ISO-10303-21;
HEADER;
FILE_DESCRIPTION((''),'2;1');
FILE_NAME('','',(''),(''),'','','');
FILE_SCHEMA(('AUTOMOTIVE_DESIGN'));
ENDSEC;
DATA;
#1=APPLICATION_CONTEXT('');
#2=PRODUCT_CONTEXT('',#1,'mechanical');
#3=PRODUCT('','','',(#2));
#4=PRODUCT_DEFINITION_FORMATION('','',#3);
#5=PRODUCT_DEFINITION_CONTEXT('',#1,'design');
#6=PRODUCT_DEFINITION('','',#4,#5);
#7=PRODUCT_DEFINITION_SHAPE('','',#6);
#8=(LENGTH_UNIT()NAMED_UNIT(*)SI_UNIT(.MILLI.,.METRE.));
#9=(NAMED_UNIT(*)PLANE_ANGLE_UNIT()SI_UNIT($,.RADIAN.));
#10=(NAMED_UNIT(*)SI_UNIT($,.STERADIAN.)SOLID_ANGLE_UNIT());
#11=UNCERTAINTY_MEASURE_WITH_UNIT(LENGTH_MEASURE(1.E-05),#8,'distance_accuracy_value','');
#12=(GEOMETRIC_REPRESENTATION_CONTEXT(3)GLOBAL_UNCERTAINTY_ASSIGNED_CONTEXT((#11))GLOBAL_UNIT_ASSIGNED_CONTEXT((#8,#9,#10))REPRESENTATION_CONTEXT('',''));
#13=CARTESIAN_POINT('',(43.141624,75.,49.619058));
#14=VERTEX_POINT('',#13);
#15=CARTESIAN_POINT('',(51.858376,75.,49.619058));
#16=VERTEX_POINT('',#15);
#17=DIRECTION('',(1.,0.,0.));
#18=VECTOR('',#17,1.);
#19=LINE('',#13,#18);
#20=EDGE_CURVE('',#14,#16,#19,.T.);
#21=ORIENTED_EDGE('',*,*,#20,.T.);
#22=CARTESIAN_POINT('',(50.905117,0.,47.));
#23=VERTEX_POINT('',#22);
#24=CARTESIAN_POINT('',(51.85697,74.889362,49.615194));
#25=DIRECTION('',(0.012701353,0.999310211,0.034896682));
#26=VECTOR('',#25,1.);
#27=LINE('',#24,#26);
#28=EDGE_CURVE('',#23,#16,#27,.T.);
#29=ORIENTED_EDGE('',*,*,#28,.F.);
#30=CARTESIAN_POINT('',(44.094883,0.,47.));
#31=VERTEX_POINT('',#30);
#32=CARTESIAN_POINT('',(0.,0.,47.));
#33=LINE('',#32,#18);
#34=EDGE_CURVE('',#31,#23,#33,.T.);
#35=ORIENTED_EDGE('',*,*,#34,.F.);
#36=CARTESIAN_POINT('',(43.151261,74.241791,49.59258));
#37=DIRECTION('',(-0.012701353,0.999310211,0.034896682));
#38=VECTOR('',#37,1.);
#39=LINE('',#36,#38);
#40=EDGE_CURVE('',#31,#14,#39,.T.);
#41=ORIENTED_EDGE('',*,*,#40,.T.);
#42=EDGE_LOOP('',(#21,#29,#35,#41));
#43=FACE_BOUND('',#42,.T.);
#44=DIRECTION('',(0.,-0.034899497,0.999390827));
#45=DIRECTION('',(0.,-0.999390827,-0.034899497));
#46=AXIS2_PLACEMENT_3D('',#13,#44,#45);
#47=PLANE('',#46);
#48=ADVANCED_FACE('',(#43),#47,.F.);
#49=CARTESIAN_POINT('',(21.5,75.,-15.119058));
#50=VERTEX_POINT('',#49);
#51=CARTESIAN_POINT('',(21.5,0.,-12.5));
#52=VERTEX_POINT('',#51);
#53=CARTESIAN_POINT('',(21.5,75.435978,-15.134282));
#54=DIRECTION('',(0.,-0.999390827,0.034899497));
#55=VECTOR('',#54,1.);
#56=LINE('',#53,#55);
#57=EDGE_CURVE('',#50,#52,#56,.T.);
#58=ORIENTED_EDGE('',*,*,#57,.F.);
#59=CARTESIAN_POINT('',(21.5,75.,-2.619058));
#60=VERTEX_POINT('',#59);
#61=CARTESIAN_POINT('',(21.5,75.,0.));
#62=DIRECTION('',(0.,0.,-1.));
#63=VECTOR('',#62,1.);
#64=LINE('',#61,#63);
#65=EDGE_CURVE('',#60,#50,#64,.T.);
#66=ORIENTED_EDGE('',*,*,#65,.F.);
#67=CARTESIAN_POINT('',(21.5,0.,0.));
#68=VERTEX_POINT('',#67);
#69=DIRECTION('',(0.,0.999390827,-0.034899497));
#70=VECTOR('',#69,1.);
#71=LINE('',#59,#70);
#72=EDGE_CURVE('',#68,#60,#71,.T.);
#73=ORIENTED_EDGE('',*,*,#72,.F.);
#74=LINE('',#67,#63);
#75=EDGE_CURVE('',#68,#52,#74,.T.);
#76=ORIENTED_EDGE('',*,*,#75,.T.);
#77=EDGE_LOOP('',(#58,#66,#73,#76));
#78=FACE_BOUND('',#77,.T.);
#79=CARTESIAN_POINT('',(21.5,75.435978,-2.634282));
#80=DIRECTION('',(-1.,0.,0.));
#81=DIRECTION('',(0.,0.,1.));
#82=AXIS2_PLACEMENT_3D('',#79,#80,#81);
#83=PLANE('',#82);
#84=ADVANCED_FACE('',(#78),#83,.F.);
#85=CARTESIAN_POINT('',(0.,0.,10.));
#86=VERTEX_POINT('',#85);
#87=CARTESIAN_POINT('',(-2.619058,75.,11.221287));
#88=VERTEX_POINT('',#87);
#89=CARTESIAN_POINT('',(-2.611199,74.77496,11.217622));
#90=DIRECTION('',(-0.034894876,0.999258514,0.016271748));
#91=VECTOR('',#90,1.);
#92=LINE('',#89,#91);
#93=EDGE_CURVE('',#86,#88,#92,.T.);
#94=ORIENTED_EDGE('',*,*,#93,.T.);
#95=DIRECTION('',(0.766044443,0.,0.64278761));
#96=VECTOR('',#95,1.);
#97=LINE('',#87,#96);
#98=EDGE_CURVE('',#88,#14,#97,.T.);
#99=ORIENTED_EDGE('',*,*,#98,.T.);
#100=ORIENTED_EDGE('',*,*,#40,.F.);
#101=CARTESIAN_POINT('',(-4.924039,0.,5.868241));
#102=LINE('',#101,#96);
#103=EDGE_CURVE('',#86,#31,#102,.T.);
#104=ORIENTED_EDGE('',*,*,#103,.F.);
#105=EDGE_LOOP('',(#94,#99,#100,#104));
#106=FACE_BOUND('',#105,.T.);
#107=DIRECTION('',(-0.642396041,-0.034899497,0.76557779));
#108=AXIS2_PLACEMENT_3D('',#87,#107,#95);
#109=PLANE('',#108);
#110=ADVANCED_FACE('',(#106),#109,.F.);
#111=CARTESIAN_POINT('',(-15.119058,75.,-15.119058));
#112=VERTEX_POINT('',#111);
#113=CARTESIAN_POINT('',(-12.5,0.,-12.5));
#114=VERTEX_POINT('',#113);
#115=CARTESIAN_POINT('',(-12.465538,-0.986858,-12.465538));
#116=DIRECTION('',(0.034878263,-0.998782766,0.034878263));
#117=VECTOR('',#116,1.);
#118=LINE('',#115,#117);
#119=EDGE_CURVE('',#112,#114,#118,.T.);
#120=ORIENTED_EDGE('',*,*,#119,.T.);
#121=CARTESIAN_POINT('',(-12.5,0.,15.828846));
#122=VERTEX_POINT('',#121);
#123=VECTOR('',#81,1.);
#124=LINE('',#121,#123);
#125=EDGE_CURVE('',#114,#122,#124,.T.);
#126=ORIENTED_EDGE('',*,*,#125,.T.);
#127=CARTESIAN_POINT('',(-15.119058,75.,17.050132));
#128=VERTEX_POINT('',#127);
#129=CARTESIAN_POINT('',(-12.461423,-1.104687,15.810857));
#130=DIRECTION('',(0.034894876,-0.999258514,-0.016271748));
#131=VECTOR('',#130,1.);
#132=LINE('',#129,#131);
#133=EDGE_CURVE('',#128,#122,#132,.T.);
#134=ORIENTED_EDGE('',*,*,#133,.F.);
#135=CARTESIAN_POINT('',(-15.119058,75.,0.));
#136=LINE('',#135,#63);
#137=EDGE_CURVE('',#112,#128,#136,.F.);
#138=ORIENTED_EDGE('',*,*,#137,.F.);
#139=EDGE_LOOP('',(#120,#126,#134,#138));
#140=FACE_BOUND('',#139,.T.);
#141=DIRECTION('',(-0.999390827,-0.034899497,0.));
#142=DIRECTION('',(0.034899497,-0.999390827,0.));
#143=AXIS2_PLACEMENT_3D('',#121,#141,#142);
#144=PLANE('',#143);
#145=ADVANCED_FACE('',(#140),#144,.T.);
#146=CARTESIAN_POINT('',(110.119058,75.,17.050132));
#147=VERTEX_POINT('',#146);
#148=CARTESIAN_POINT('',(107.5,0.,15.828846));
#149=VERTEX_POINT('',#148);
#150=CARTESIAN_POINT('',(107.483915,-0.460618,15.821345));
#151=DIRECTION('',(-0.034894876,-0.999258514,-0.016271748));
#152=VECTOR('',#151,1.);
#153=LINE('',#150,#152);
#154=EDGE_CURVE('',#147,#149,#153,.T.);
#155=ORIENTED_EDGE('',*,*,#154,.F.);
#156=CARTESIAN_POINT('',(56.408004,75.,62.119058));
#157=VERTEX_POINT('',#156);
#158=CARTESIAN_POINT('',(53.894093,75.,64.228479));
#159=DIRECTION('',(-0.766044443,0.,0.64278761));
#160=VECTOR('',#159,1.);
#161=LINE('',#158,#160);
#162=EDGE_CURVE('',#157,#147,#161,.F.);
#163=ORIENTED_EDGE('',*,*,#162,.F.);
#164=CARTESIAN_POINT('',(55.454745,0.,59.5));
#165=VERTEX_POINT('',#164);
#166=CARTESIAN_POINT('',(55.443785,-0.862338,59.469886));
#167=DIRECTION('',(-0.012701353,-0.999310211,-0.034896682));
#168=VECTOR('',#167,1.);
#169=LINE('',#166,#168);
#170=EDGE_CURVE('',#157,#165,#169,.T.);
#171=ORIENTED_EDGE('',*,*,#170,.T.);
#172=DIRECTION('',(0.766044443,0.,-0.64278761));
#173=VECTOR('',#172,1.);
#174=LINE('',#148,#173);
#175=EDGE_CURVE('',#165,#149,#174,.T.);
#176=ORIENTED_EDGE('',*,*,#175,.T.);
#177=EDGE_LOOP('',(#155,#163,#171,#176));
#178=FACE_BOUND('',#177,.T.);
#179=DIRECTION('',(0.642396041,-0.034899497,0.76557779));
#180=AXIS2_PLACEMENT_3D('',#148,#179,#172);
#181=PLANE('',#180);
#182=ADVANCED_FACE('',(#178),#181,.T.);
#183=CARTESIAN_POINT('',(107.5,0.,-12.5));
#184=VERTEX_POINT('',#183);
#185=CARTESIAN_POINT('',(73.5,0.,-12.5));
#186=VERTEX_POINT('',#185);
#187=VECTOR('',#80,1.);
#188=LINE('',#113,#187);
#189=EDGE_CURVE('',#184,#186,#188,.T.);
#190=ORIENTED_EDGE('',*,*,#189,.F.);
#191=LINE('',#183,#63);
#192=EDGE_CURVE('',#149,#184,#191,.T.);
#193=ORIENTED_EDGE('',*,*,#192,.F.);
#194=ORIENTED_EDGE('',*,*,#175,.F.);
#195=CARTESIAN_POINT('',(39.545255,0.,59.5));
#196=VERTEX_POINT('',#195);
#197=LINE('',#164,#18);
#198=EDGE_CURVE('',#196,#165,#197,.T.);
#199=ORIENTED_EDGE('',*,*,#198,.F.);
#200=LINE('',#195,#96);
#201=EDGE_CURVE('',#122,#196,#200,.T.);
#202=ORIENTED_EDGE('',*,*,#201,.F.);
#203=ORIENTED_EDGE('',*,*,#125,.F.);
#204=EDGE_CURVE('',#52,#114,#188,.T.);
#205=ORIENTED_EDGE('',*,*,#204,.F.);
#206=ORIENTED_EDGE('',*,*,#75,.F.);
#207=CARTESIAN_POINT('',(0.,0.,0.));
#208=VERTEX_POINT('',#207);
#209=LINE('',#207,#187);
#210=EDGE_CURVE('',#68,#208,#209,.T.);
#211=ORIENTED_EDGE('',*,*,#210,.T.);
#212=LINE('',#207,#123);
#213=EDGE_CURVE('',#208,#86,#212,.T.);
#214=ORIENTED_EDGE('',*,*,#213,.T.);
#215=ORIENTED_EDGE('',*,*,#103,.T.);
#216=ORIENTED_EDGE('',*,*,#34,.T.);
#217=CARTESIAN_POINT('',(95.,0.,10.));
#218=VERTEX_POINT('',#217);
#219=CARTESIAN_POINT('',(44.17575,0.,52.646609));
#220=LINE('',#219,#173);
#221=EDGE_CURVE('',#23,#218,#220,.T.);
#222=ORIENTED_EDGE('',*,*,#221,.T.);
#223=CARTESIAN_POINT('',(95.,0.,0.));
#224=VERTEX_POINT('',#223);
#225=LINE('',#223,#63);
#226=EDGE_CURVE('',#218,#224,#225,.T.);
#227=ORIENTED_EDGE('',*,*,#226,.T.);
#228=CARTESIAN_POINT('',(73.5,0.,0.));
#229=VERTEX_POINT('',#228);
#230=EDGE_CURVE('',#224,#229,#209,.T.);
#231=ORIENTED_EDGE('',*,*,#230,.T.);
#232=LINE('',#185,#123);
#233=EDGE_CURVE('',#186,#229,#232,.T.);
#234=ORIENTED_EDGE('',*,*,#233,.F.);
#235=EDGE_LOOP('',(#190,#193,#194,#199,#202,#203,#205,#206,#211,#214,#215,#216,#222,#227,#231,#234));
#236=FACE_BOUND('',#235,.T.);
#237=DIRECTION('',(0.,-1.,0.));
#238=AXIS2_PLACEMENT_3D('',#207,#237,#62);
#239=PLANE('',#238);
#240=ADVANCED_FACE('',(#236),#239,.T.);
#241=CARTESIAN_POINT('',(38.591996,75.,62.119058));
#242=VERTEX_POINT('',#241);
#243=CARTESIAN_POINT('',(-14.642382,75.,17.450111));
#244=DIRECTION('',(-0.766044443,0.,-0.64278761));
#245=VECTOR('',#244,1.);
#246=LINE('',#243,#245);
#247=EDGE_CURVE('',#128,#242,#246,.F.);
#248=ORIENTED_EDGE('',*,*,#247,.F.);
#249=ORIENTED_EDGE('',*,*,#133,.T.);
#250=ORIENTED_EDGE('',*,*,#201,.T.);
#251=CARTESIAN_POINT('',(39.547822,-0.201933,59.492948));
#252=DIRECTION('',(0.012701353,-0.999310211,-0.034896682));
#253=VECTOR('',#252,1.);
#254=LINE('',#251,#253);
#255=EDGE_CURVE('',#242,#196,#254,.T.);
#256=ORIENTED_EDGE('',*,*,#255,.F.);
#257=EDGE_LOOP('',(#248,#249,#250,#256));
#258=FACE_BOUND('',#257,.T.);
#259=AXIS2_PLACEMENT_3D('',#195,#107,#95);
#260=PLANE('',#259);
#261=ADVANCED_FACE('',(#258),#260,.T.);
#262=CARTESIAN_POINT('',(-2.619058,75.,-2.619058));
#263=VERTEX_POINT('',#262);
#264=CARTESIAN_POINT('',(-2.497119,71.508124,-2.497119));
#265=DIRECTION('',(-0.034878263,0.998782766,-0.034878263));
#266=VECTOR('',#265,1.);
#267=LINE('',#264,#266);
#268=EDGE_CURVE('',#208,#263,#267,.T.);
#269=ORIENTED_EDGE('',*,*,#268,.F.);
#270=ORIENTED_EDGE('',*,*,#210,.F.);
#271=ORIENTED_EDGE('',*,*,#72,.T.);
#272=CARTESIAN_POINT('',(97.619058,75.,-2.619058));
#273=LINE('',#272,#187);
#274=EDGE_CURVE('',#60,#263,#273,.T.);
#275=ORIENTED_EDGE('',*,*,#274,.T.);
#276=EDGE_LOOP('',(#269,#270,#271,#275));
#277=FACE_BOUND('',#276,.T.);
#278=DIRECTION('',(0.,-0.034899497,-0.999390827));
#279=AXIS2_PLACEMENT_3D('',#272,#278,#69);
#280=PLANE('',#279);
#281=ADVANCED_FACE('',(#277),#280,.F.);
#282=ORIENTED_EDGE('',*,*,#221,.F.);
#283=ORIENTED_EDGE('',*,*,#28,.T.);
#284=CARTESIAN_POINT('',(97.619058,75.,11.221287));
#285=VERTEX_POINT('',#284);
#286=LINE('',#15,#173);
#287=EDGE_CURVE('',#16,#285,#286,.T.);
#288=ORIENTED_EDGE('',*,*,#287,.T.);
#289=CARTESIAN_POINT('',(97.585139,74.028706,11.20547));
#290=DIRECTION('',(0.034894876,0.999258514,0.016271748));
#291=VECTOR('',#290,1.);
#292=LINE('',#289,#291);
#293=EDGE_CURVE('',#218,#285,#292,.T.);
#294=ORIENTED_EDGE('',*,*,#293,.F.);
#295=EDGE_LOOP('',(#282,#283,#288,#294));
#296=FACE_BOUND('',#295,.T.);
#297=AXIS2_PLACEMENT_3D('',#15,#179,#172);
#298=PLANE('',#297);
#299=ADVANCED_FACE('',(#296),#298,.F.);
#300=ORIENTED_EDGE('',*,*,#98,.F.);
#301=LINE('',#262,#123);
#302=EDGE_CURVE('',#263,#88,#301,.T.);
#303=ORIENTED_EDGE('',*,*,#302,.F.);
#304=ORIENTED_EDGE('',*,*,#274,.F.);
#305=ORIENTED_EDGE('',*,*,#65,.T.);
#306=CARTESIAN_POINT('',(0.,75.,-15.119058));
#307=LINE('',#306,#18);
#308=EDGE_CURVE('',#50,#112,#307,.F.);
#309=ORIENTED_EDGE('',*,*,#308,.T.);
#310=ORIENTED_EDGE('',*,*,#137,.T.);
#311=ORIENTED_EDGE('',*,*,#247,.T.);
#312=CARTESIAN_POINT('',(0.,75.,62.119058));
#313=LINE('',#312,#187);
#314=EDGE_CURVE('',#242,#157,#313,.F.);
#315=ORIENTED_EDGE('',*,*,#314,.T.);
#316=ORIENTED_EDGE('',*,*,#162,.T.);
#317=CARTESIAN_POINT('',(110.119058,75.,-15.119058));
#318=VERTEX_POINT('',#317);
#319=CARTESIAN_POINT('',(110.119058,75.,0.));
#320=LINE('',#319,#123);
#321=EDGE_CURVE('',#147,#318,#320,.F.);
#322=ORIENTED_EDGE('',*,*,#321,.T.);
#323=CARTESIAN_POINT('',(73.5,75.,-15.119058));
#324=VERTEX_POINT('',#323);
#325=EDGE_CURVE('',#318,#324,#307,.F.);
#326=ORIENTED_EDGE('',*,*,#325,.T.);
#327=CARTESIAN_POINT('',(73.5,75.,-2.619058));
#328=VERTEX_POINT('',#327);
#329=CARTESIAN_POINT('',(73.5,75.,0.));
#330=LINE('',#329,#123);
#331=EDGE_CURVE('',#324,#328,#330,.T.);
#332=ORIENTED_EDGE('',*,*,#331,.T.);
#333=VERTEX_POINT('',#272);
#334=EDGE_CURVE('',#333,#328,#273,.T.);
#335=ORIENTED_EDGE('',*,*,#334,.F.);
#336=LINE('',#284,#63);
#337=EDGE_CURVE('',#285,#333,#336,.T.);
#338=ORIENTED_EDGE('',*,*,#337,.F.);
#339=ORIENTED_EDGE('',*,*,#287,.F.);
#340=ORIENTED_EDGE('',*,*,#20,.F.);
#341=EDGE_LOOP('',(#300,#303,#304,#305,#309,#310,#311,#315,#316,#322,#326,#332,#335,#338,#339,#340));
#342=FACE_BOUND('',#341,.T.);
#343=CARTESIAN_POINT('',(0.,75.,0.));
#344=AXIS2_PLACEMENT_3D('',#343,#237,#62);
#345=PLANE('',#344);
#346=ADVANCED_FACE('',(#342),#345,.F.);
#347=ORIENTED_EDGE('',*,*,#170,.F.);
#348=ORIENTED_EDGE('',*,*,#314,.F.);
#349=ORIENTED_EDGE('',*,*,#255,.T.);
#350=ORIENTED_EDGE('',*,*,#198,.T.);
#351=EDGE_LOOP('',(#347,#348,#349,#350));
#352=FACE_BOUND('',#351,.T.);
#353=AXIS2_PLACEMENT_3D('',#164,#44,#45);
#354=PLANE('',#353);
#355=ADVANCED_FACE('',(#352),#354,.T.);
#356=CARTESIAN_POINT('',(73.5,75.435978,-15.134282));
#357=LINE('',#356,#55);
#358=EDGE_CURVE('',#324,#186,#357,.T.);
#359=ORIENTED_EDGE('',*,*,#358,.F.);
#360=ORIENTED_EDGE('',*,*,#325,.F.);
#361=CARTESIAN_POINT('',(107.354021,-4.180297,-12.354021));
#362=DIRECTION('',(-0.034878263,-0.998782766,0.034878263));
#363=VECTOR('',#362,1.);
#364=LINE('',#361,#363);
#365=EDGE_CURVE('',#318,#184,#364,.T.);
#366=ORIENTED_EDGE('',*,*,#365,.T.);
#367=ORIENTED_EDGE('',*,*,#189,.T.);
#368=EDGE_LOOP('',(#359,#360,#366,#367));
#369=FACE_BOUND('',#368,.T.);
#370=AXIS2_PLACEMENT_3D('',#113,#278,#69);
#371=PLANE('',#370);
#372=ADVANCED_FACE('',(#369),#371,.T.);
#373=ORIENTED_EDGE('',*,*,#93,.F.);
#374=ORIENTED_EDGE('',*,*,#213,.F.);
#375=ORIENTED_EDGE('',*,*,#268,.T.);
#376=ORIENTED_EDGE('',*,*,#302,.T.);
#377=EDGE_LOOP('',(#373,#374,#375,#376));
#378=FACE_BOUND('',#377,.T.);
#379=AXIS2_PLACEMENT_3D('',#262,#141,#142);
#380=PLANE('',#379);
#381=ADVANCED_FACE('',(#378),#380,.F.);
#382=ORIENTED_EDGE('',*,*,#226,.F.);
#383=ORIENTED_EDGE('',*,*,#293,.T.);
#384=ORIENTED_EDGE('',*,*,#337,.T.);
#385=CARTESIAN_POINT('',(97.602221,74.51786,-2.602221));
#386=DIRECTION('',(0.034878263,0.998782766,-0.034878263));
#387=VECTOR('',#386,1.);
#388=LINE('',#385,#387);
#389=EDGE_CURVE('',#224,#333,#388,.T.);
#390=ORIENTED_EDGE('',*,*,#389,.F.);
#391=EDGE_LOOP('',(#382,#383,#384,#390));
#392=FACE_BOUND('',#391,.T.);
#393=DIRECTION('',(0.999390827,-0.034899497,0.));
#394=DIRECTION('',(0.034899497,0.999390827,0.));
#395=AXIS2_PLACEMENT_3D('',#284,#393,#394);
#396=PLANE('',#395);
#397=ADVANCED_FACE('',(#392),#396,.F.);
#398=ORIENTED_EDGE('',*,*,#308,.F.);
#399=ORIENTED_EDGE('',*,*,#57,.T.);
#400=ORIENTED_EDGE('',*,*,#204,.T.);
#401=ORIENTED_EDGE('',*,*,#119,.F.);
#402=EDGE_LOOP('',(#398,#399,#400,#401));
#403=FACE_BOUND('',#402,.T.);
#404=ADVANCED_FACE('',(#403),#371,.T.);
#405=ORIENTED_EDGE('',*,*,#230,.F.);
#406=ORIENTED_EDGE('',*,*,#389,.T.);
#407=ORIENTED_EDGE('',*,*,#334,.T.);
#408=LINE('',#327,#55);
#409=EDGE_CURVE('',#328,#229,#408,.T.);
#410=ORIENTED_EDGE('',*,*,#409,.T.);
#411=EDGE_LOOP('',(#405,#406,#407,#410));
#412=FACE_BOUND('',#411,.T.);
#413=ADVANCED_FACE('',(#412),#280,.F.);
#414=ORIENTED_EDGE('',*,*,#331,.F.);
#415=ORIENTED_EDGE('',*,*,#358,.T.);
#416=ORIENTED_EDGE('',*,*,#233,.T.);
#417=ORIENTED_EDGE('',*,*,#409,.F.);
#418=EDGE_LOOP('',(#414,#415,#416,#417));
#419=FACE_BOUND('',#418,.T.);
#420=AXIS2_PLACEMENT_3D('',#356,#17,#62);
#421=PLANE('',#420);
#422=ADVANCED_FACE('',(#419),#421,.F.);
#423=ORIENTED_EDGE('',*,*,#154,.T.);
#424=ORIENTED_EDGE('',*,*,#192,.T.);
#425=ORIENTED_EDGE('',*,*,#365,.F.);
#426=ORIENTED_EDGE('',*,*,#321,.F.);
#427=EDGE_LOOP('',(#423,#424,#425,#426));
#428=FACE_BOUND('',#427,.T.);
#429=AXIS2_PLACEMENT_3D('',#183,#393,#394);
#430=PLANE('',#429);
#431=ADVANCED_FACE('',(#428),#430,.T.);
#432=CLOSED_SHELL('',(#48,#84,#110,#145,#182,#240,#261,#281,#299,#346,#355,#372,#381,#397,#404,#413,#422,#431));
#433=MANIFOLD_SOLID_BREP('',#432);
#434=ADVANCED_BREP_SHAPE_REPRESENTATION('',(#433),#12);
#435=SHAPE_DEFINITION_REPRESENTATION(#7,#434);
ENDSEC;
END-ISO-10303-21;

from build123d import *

# Parameters (mm, degrees)
SALIENTE_EXTRUIR1_DEPTH = 75
SALIENTE_EXTRUIR1_TAPER = -2
CORTAR_EXTRUIR1_DEPTH   = 76.0000001
CORTAR_EXTRUIR1_TAPER   = 2
CROQUIS5_W              = 52
CROQUIS5_H              = 12.5
CORTAR_EXTRUIR2_DEPTH   = 76.046325467


with BuildPart() as part:
    # Croquis2 → Saliente-Extruir1 (new body)
    with BuildSketch(Plane(origin=(0, 0, 0), x_dir=(1, 0, 0), z_dir=(0, 1, 0))):
        Polygon((-12.5, 12.5), (-12.5, -15.828845727), (39.545254998, -59.5), (55.454745002, -59.5), (107.5, -15.828845727), (107.5, 12.5), align=None)
    extrude(amount=SALIENTE_EXTRUIR1_DEPTH, taper=SALIENTE_EXTRUIR1_TAPER)

    # Croquis3 → Cortar-Extruir1 (cut, through all)
    with BuildSketch(Plane(origin=(0, 75, 0), x_dir=(1, 0, 0), z_dir=(0, 1, 0))):
        Polygon((-2.619057712, 2.619057712), (-2.619057712, -11.221286668), (43.141623877, -49.619057712), (51.858376123, -49.619057712), (97.619057712, -11.221286668), (97.619057712, 2.619057712), align=None)
    extrude(amount=-CORTAR_EXTRUIR1_DEPTH, taper=CORTAR_EXTRUIR1_TAPER, mode=Mode.SUBTRACT)

    # Croquis5 → Cortar-Extruir2 (cut, through all, along a direction that is not the sketch's normal)
    with BuildSketch(Plane.XZ):
        with Locations((47.5, -6.25)):
            Rectangle(CROQUIS5_W, CROQUIS5_H)
    extrude(amount=-CORTAR_EXTRUIR2_DEPTH, dir=(0, -0.999390827, 0.034899497), mode=Mode.SUBTRACT)


solid = part.part
